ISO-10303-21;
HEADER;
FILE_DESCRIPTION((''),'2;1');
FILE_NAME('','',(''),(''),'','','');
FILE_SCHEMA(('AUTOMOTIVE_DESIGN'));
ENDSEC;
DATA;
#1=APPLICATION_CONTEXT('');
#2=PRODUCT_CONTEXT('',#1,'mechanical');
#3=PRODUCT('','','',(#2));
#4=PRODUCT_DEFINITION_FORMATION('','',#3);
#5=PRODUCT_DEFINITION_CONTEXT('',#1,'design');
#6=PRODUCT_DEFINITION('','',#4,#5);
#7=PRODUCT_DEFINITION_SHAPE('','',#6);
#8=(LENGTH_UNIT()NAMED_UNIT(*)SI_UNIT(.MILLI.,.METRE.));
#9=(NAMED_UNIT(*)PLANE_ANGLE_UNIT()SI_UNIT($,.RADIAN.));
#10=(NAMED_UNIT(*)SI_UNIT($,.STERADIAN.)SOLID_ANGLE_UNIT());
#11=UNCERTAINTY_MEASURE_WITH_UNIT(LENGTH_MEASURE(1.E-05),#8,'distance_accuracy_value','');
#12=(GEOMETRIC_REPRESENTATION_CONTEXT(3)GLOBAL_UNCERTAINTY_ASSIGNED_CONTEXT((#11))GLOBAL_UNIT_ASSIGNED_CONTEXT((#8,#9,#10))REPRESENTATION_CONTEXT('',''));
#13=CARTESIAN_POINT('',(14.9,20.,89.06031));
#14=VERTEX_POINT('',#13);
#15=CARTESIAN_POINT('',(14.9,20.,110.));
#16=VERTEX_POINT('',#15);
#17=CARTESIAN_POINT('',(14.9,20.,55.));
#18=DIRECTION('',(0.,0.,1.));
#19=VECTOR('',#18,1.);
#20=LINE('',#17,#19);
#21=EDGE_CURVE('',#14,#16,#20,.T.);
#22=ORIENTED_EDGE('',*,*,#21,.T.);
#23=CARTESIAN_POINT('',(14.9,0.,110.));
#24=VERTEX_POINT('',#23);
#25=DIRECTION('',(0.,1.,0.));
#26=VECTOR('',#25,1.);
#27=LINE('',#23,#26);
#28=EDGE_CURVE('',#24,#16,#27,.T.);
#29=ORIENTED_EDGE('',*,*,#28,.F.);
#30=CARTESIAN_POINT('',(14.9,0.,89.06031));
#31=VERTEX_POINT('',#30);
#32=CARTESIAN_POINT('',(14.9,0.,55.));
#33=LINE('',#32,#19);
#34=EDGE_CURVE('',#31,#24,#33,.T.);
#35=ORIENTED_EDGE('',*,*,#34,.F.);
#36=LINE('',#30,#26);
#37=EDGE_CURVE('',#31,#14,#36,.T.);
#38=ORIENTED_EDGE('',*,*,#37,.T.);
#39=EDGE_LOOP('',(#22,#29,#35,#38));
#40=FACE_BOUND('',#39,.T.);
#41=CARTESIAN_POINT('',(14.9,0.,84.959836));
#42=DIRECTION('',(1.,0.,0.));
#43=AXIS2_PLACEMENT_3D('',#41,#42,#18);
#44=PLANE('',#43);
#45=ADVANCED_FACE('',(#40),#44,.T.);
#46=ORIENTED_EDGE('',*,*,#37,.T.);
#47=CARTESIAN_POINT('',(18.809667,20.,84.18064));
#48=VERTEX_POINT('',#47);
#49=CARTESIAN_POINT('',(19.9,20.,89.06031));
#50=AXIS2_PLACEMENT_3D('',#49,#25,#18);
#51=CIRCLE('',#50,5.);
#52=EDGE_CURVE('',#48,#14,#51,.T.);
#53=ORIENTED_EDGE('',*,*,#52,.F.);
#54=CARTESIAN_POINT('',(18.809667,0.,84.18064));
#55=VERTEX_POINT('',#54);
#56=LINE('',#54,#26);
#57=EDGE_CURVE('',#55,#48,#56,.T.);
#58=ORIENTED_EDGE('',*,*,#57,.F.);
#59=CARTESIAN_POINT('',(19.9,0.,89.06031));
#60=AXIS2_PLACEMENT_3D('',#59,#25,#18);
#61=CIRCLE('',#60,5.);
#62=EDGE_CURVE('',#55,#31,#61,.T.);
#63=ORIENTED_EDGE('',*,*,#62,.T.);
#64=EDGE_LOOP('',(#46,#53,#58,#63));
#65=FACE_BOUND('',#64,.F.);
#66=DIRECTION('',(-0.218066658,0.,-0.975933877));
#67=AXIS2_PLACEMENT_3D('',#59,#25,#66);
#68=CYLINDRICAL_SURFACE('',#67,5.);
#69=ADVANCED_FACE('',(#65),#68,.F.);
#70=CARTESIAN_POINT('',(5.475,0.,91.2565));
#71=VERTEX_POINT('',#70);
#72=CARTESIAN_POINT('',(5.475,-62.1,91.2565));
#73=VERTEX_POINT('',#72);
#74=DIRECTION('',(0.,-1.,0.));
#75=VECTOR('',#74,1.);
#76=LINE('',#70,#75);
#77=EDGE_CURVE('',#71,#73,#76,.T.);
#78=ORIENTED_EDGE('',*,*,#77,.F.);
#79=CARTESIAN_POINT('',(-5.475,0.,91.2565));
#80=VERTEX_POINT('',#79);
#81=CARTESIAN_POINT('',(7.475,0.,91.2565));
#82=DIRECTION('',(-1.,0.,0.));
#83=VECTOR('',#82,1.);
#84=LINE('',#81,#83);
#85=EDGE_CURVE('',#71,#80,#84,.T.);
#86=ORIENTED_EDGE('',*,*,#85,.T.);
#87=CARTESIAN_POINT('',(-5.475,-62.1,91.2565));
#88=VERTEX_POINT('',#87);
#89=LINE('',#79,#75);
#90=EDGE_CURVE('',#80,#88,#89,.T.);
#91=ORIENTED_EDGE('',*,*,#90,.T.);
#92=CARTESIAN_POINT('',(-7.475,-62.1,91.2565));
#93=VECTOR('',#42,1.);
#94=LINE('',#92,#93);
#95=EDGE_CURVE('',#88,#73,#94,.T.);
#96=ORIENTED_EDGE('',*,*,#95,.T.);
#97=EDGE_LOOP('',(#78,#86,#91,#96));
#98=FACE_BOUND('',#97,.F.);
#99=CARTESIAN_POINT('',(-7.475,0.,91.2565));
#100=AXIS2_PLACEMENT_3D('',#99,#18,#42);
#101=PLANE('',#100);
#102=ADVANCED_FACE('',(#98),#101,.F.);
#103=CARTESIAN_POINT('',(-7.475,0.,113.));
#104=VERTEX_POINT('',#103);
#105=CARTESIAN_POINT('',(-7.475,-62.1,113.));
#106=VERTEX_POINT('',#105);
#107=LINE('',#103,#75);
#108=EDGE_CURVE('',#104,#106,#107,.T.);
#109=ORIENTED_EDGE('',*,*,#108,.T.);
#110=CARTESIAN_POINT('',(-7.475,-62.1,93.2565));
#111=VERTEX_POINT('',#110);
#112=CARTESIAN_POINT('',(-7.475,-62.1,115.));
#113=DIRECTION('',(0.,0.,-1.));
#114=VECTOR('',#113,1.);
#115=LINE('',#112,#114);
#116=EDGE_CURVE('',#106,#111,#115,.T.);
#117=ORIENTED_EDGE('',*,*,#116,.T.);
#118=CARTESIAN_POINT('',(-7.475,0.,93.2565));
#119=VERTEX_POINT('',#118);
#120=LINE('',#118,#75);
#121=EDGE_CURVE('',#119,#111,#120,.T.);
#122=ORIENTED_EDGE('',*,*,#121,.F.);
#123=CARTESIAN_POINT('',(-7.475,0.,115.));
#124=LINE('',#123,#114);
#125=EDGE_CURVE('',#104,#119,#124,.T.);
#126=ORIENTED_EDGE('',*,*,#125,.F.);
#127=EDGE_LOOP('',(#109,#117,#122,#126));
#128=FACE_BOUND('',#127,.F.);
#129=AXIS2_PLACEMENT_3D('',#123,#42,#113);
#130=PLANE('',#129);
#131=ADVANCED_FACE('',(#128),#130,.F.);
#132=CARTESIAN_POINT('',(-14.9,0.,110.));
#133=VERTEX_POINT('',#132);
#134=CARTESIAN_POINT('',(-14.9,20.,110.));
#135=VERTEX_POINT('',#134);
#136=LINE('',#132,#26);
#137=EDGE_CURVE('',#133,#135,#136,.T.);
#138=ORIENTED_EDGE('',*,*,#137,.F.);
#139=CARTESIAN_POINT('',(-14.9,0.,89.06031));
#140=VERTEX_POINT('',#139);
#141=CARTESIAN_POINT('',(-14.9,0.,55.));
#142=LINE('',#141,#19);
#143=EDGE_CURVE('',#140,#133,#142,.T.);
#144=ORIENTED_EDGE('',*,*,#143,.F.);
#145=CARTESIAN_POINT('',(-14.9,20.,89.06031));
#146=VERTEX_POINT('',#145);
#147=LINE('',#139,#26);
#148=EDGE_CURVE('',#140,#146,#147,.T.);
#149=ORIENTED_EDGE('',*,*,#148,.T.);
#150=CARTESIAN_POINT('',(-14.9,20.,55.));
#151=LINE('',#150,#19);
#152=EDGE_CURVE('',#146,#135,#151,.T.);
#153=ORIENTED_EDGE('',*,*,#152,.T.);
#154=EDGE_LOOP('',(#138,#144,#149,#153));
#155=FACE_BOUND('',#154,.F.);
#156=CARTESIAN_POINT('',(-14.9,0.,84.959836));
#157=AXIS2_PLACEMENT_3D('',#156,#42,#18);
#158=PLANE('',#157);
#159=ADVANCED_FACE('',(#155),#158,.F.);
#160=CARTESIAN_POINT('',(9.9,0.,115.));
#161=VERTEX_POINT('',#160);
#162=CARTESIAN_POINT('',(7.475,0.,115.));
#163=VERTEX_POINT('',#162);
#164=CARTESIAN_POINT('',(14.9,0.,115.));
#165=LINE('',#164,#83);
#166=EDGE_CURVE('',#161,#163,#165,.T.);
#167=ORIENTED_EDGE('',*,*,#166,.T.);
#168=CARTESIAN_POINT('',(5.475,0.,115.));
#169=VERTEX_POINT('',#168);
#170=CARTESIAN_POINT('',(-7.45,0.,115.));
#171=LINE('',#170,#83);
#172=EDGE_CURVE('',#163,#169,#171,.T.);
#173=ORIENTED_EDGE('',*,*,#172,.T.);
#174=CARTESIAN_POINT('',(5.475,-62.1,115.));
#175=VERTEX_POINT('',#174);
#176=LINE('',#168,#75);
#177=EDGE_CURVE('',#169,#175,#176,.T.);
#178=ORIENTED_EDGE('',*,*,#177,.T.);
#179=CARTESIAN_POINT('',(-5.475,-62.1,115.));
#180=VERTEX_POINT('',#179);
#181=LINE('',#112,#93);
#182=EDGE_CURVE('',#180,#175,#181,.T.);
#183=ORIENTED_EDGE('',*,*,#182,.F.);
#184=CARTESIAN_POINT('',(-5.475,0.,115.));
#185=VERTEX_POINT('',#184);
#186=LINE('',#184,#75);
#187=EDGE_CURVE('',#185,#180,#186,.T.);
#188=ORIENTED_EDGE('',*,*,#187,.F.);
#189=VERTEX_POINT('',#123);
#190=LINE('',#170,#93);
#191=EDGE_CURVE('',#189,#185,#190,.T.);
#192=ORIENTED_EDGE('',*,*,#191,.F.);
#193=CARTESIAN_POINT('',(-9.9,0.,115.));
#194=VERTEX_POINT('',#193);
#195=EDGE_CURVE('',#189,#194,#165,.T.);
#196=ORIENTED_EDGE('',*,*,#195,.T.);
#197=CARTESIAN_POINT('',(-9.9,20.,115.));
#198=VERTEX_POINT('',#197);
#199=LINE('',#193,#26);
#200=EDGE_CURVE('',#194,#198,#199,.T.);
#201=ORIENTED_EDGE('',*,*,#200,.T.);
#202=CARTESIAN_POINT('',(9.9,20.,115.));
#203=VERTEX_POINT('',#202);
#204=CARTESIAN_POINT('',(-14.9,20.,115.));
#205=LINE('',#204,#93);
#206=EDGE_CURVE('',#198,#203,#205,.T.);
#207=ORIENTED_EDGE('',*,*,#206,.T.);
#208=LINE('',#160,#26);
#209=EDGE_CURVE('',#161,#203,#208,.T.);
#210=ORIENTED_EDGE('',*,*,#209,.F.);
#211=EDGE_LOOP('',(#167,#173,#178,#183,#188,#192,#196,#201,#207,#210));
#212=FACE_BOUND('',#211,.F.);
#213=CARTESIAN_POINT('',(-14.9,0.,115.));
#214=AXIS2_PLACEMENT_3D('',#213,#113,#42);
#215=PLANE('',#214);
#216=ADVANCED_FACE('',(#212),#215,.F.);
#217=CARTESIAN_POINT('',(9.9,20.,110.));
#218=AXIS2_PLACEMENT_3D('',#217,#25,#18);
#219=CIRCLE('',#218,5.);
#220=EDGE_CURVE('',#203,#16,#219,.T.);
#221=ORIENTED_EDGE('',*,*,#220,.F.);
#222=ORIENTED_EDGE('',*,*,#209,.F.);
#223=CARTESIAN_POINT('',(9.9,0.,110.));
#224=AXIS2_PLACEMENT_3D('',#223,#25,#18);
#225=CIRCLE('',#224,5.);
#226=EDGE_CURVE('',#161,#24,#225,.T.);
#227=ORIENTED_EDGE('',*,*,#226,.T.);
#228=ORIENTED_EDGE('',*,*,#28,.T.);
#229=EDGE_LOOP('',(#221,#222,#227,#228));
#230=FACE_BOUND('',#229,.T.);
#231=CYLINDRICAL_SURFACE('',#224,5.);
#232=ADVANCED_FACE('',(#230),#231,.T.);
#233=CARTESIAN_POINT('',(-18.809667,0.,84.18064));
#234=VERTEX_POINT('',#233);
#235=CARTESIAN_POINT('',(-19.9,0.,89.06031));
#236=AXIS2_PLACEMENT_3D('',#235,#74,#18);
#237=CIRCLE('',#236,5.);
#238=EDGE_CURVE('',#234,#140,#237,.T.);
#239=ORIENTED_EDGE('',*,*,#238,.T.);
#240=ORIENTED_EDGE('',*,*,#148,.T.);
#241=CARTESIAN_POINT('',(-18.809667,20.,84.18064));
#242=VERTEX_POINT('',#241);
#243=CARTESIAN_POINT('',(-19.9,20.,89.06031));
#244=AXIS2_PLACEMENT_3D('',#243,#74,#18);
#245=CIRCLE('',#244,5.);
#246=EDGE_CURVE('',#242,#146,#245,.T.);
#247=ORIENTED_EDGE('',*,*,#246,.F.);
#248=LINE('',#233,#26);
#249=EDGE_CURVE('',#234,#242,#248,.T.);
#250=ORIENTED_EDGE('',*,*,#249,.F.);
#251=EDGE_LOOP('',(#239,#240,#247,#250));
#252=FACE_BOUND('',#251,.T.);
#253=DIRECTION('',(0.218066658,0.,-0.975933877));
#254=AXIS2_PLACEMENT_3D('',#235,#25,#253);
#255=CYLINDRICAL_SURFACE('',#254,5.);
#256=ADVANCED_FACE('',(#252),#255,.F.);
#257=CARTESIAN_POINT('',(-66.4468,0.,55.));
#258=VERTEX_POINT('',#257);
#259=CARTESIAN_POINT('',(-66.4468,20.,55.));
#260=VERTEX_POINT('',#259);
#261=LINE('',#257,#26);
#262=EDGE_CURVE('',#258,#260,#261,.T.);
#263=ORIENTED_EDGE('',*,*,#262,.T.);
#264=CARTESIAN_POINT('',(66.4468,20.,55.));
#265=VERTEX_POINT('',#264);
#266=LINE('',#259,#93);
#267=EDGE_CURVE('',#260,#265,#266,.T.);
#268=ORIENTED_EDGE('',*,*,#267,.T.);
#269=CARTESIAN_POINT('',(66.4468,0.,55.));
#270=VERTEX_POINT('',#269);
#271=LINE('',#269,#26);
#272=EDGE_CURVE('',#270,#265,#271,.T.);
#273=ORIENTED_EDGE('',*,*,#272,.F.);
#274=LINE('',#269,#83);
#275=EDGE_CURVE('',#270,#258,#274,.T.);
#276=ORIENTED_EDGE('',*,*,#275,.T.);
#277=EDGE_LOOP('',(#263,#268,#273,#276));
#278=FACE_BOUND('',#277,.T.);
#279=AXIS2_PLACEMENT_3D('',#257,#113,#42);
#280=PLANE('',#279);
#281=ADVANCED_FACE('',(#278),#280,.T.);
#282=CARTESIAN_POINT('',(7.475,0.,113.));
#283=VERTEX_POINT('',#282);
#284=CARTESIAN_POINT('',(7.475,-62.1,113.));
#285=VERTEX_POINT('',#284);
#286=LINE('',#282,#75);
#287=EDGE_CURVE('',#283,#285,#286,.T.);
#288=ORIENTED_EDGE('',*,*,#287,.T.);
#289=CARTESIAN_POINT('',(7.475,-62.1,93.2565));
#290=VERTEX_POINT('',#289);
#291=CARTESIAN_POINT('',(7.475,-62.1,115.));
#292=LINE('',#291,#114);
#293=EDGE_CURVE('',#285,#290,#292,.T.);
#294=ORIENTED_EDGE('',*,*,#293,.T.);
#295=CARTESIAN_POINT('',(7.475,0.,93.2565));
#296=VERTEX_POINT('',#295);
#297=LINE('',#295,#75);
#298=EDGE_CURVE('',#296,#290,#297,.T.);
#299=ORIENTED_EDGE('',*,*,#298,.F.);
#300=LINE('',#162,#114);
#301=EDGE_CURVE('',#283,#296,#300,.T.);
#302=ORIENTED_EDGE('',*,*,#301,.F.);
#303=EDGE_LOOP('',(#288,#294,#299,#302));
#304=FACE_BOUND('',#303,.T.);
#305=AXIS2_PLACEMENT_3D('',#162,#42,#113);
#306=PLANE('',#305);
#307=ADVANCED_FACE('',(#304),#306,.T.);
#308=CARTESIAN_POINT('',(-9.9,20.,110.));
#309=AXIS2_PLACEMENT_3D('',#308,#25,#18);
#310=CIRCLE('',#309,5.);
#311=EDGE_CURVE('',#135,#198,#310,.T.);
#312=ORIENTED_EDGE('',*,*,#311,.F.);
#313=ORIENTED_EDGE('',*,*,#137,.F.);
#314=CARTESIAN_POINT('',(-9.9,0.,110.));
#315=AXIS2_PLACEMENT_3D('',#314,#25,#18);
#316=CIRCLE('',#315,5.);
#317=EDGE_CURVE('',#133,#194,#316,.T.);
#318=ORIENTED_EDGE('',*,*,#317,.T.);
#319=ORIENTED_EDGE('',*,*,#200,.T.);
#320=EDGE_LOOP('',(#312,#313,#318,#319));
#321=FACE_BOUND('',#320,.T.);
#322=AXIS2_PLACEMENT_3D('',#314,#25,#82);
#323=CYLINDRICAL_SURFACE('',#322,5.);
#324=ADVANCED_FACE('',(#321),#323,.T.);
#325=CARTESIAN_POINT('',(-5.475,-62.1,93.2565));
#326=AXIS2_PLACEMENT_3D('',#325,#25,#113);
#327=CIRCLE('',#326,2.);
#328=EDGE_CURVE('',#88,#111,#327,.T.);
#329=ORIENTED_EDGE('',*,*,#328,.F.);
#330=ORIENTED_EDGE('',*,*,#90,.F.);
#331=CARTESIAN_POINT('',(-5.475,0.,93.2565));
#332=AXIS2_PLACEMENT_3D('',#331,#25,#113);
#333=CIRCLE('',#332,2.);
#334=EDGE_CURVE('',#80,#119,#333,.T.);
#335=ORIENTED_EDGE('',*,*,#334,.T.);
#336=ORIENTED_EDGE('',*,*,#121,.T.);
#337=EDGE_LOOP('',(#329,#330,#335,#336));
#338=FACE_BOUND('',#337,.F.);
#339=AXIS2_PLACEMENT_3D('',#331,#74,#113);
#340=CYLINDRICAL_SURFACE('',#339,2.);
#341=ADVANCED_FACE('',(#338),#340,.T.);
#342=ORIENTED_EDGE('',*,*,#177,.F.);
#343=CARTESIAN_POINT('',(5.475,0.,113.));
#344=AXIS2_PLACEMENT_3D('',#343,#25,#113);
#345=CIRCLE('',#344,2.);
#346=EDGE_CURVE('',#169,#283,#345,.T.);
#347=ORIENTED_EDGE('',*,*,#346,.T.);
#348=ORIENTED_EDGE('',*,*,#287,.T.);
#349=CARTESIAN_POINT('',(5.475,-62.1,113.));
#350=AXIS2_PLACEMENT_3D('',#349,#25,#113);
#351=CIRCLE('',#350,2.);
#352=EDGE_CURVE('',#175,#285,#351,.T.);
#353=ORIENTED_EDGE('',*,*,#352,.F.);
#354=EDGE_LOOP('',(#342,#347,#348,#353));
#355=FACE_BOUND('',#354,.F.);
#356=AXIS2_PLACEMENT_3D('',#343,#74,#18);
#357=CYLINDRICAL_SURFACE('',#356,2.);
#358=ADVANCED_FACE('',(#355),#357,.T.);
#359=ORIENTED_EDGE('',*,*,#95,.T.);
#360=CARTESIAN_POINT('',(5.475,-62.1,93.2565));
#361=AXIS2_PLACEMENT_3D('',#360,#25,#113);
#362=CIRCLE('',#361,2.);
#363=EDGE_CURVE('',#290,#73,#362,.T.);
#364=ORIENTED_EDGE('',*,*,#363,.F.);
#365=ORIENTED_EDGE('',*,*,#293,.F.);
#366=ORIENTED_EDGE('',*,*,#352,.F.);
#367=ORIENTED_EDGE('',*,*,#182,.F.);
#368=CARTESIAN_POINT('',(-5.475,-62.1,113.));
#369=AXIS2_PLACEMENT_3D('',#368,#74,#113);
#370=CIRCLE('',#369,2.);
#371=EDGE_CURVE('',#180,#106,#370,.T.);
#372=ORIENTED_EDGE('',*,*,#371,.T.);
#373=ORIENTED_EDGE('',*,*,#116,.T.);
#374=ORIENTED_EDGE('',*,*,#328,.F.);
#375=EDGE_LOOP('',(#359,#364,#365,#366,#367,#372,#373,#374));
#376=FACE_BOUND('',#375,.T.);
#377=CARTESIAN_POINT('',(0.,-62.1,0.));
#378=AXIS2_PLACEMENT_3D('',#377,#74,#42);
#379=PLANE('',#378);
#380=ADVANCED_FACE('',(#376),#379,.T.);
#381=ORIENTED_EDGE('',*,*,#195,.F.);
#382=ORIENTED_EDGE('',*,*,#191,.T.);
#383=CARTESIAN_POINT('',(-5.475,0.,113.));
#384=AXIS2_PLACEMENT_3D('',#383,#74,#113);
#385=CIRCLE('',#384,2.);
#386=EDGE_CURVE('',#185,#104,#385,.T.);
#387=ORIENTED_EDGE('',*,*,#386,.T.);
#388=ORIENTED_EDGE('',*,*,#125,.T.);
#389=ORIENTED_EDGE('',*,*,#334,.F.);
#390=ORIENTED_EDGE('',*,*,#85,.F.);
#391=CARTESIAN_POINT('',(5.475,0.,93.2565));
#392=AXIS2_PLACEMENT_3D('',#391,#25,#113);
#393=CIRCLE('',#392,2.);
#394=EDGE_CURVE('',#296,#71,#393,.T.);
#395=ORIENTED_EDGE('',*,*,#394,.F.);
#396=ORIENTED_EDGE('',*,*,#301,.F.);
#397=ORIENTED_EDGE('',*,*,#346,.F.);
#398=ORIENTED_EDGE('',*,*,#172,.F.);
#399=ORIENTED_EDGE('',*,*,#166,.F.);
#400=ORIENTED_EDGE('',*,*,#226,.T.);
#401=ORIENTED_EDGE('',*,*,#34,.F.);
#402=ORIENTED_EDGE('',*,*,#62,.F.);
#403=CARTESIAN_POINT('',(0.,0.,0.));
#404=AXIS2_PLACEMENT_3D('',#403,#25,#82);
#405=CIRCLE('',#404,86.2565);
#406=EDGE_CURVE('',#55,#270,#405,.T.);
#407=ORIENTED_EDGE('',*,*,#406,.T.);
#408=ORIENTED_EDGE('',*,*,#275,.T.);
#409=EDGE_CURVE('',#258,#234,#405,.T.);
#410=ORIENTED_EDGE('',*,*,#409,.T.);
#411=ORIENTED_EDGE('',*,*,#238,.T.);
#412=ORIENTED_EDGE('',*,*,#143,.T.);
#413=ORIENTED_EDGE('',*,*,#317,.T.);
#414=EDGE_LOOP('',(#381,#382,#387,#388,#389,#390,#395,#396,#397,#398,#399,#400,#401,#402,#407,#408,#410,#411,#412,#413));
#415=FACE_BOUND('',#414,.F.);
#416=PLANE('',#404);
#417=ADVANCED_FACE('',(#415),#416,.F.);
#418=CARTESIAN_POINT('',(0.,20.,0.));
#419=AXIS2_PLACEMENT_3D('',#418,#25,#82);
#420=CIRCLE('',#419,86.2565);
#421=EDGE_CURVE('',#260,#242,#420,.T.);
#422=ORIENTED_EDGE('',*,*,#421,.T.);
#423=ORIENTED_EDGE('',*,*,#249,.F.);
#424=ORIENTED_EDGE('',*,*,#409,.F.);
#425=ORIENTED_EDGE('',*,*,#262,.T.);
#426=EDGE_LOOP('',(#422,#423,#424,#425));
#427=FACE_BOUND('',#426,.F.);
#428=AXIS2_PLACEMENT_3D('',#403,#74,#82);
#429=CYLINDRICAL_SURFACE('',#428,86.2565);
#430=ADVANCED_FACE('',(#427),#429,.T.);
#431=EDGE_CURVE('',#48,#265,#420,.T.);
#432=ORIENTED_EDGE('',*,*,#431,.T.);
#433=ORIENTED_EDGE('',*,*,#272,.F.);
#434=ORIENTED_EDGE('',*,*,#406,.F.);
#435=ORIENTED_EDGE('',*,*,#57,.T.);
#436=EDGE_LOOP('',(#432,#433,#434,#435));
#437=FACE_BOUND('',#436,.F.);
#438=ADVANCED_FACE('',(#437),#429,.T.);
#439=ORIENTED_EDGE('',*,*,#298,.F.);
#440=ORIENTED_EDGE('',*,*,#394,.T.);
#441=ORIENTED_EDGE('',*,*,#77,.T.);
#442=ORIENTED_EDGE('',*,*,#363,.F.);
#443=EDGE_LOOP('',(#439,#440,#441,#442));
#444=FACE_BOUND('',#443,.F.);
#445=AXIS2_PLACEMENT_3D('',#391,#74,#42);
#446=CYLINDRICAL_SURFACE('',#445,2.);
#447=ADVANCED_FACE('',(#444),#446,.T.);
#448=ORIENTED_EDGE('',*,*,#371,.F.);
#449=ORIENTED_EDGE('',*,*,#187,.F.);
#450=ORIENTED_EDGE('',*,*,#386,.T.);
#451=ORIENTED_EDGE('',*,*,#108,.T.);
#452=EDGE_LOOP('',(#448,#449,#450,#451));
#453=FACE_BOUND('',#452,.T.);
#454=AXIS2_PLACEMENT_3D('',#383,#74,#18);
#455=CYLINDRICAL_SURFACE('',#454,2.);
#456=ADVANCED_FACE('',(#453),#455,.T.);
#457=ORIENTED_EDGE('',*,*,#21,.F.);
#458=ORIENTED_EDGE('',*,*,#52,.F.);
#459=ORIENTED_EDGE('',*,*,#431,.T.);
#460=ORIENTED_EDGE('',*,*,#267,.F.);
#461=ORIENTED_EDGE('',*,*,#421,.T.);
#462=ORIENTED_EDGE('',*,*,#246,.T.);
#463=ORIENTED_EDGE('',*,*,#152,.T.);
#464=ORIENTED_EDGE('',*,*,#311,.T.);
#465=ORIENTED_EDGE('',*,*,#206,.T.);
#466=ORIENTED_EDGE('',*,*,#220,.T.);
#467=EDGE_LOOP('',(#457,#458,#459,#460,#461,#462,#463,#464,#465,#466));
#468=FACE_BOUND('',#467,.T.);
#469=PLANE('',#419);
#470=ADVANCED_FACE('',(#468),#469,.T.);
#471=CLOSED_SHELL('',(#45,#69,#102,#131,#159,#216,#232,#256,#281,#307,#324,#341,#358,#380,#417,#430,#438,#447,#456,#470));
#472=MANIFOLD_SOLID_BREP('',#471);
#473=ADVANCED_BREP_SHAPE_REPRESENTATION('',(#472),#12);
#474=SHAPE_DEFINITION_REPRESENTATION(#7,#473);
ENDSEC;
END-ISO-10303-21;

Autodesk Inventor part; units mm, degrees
ref_plane "YZ Plane" through (0, 0, 0) normal (1, 0, 0) x (0, 1, 0)
ref_plane "XZ Plane" through (0, 0, 0) normal (0, 1, 0) x (-1, 0, 0)
ref_plane "XY Plane" through (0, 0, 0) normal (0, 0, 1) x (1, 0, 0)
sketch "スケッチ1" plane through (0, 0, 0) normal (0, 1, 0) x (-1, 0, 0)
  circle A0 centre (0, 0) radius 86.2565
  line L0 (0, 0) -> (86.2565, 0)
  line L1 (66.4468, 55) -> (-66.4468, 55)
  line L2 (0, 55) -> (14.9, 55)
  line L3 (14.9, 55) -> (14.9, 115)
  line L4 (14.9, 115) -> (0, 115)
  line L5 (0, 115) -> (0, 55)
  line L6 (-14.9, 55) -> (-14.9, 115)
  line L7 (-14.9, 115) -> (0, 115)
  point P0 (14.9, 84.9598)
  point P1 (-14.9, 84.9598)
  dimension "d0" = 172.513
  dimension "d1" = 55
  dimension "d2" = 14.9
  dimension "d3" = 60
extrude "押し出し1" add sketch "スケッチ1" along normal blind 20 contours L1 L3 A0 | A0 L6 L1 | L3 L1 L5 A0 | A0 L5 L4 L3 | L6 L7 L5 A0 | A0 L5 L1 L6
sketch "スケッチ2" plane through (0, 0, 0) normal (0, -1, 0) x (1, 0, 0)
  arc A0 (66.4468, 55) -> (14.9, 84.9598) centre (0, 0) ccw projected
  circle A1 centre (0, 0) radius 86.2565
  line L0 (-14.9, 115) -> (14.9, 115) projected
  line L1 (0, 115) -> (7.475, 115)
  line L2 (7.475, 115) -> (7.475, 91.2565)
  line L3 (7.475, 91.2565) -> (0, 91.2565)
  line L4 (0, 91.2565) -> (0, 115)
  line L5 (-7.475, 115) -> (-7.475, 91.2565)
  line L6 (-7.475, 91.2565) -> (0, 91.2565)
  line L7 (14.9, 115) -> (-14.9, 115)
  dimension "d6" = 5
  dimension "d7" = 7.475
extrude "押し出し2" add sketch "スケッチ2" along normal blind 62.1 contours L0 L4 L6 L5 | L0 L2 L3 L4
fillet "フィレット1" radius 5 4 edges at (-14.9, 10, 84.9598) (14.9, 10, 84.9598) (-14.9, 10, 115) (14.9, 10, 115)
fillet "フィレット2" radius 2 4 edges at (-7.475, -31.05, 91.2565) (7.475, -31.05, 91.2565) (-7.475, -31.05, 115) (7.475, -31.05, 115)
properties part number "zigu1"
